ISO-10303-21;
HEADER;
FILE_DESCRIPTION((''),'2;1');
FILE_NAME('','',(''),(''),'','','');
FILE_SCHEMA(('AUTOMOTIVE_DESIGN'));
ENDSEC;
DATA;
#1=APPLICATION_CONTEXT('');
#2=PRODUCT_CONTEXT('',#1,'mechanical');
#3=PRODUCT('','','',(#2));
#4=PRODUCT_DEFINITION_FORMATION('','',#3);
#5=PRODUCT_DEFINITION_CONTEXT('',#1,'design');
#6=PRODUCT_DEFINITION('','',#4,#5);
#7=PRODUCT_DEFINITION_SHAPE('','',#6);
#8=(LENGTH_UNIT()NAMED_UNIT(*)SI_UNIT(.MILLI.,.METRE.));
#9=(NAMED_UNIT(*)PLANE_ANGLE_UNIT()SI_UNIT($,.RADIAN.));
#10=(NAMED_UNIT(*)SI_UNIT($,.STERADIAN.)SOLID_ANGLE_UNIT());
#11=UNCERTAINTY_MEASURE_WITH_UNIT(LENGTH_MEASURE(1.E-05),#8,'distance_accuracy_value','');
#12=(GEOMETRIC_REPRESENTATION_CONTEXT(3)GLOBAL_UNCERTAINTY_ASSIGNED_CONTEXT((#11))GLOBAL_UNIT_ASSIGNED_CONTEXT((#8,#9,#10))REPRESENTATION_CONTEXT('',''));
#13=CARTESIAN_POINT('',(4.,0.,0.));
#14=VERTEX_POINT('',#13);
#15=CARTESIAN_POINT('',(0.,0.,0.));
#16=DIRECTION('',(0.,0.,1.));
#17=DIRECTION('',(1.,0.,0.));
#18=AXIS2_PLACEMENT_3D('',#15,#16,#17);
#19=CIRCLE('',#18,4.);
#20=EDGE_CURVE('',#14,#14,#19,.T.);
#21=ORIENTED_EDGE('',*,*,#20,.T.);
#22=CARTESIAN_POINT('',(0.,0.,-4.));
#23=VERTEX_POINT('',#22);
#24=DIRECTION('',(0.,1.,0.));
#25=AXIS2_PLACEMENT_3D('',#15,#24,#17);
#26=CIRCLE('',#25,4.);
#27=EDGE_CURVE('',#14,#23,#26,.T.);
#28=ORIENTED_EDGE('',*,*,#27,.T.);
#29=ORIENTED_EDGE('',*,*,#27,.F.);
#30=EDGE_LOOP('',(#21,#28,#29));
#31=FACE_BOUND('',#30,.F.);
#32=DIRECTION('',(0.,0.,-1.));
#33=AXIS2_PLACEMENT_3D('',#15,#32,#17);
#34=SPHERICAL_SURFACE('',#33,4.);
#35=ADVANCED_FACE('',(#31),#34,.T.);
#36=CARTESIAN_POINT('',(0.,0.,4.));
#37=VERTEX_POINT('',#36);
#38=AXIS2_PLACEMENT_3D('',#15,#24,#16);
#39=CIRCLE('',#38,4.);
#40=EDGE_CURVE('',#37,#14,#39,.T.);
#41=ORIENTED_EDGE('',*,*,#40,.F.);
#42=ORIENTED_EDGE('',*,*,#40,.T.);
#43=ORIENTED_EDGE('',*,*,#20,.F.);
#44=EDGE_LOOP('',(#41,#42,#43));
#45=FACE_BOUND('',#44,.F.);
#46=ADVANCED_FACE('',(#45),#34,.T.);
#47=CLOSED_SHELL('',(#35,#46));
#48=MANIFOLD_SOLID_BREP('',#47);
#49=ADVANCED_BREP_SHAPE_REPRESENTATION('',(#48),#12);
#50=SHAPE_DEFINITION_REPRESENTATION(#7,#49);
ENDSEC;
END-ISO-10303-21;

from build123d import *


with BuildPart() as part:
    # 草图1 one side → 旋转2 (revolve)
    with BuildSketch(Plane(origin=(0, 0, 0), x_dir=(1, 0, 0), z_dir=(0, 1, 0))):
        with BuildLine():
            ThreePointArc((0, -4), (2.828427125, -2.828427125), (4, 0))
            ThreePointArc((4, 0), (2.828427125, 2.828427125), (0, 4))
            Line((0, 4), (0, -4))
        make_face()
    revolve(axis=Axis((0, 0, -6.936103092), (0, 0, 1)))


solid = part.part
